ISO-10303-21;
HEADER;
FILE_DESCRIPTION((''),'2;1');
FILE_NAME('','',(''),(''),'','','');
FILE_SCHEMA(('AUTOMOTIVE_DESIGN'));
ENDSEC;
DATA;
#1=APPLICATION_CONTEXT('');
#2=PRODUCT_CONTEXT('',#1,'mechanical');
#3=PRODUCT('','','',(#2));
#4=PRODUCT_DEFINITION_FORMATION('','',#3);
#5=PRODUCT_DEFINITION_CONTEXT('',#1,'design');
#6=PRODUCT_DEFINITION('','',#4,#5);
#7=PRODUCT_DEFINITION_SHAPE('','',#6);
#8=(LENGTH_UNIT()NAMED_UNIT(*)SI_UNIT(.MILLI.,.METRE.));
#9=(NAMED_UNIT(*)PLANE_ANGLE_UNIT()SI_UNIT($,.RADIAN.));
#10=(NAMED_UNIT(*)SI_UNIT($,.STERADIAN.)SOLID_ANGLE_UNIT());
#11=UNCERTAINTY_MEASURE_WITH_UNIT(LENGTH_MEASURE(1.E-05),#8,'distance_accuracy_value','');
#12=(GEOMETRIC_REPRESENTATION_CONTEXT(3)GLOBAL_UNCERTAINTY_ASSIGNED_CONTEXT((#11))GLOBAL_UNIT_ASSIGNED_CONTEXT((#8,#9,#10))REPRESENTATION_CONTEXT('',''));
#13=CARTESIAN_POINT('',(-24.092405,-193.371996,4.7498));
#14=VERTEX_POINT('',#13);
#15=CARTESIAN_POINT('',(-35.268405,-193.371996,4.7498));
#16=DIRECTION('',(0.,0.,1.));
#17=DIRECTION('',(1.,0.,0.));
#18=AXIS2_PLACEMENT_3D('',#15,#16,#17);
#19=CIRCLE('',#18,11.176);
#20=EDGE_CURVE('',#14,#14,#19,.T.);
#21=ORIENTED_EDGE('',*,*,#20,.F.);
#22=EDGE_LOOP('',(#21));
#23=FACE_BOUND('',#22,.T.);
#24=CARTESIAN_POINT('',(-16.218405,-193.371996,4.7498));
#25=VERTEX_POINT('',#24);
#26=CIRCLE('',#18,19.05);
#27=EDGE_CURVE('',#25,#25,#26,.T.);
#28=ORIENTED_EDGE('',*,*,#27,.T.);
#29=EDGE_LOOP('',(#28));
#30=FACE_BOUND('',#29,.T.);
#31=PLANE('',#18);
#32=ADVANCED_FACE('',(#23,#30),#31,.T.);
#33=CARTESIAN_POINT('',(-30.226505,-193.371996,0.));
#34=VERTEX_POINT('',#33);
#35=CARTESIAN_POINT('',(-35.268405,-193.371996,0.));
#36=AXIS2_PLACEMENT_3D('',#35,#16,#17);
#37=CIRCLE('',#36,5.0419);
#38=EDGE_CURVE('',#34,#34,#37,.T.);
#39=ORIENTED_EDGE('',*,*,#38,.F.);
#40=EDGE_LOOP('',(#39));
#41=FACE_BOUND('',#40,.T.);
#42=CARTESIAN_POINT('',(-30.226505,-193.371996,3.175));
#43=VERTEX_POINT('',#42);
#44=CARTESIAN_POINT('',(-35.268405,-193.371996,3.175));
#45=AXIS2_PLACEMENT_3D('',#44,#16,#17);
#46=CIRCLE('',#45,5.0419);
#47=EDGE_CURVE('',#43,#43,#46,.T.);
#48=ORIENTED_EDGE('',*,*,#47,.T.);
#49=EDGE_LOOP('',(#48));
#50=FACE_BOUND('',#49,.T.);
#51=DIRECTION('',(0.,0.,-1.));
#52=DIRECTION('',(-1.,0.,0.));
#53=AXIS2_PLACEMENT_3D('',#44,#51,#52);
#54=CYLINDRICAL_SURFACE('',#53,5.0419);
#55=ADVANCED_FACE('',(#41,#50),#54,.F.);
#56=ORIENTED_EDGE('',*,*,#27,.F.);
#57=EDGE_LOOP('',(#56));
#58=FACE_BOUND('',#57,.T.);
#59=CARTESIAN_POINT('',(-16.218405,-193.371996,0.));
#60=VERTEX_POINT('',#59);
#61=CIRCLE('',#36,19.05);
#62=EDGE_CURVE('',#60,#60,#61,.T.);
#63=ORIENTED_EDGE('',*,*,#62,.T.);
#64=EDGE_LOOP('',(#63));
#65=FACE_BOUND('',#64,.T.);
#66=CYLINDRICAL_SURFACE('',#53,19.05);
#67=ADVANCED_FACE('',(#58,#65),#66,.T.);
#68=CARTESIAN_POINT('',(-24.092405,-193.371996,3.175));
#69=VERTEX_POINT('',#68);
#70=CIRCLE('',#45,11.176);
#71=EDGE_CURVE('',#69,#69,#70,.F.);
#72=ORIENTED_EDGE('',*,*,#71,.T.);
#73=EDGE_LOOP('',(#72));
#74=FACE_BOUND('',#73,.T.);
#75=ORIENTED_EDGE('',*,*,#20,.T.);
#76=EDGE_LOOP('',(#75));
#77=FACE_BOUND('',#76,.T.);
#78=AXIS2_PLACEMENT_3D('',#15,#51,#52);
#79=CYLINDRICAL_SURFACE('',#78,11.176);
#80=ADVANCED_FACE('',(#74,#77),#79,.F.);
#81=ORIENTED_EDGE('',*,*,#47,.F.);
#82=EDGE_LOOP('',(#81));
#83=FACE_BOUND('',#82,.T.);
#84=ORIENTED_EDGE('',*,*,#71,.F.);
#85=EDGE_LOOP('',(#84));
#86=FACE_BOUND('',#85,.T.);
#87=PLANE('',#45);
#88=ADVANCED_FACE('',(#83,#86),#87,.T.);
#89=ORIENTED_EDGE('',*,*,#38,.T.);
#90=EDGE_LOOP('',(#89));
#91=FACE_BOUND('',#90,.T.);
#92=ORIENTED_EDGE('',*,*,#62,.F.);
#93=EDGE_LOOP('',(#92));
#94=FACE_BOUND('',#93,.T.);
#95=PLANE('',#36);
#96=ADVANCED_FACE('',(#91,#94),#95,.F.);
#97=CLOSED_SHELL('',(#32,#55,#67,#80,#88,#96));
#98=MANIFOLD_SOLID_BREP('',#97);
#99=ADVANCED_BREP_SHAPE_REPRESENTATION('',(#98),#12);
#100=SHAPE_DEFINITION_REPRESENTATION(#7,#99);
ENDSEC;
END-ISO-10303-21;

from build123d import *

# Parameters (mm, degrees)
SKETCH1_R           = 19.05
SKETCH1_R_2         = 5.0419
BOSS_EXTRUDE1_DEPTH = 3.175
SKETCH2_R           = 19.05
SKETCH2_R_2         = 11.176
BOSS_EXTRUDE2_DEPTH = 1.5748


with BuildPart() as part:
    # Sketch1 → Boss-Extrude1 (new body)
    with BuildSketch(Plane.XY):
        with Locations((-35.268404938, -193.371995598)):
            Circle(SKETCH1_R)
        with Locations((-35.268404938, -193.371995598)):
            Circle(SKETCH1_R_2, mode=Mode.SUBTRACT)
    extrude(amount=BOSS_EXTRUDE1_DEPTH)

    # Sketch2 → Boss-Extrude2 (add)
    with BuildSketch(Plane.XY.offset(3.175)):
        with Locations((-35.268404938, -193.371995598)):
            Circle(SKETCH2_R)
        with Locations((-35.268404938, -193.371995598)):
            Circle(SKETCH2_R_2, mode=Mode.SUBTRACT)
    extrude(amount=BOSS_EXTRUDE2_DEPTH)


solid = part.part
